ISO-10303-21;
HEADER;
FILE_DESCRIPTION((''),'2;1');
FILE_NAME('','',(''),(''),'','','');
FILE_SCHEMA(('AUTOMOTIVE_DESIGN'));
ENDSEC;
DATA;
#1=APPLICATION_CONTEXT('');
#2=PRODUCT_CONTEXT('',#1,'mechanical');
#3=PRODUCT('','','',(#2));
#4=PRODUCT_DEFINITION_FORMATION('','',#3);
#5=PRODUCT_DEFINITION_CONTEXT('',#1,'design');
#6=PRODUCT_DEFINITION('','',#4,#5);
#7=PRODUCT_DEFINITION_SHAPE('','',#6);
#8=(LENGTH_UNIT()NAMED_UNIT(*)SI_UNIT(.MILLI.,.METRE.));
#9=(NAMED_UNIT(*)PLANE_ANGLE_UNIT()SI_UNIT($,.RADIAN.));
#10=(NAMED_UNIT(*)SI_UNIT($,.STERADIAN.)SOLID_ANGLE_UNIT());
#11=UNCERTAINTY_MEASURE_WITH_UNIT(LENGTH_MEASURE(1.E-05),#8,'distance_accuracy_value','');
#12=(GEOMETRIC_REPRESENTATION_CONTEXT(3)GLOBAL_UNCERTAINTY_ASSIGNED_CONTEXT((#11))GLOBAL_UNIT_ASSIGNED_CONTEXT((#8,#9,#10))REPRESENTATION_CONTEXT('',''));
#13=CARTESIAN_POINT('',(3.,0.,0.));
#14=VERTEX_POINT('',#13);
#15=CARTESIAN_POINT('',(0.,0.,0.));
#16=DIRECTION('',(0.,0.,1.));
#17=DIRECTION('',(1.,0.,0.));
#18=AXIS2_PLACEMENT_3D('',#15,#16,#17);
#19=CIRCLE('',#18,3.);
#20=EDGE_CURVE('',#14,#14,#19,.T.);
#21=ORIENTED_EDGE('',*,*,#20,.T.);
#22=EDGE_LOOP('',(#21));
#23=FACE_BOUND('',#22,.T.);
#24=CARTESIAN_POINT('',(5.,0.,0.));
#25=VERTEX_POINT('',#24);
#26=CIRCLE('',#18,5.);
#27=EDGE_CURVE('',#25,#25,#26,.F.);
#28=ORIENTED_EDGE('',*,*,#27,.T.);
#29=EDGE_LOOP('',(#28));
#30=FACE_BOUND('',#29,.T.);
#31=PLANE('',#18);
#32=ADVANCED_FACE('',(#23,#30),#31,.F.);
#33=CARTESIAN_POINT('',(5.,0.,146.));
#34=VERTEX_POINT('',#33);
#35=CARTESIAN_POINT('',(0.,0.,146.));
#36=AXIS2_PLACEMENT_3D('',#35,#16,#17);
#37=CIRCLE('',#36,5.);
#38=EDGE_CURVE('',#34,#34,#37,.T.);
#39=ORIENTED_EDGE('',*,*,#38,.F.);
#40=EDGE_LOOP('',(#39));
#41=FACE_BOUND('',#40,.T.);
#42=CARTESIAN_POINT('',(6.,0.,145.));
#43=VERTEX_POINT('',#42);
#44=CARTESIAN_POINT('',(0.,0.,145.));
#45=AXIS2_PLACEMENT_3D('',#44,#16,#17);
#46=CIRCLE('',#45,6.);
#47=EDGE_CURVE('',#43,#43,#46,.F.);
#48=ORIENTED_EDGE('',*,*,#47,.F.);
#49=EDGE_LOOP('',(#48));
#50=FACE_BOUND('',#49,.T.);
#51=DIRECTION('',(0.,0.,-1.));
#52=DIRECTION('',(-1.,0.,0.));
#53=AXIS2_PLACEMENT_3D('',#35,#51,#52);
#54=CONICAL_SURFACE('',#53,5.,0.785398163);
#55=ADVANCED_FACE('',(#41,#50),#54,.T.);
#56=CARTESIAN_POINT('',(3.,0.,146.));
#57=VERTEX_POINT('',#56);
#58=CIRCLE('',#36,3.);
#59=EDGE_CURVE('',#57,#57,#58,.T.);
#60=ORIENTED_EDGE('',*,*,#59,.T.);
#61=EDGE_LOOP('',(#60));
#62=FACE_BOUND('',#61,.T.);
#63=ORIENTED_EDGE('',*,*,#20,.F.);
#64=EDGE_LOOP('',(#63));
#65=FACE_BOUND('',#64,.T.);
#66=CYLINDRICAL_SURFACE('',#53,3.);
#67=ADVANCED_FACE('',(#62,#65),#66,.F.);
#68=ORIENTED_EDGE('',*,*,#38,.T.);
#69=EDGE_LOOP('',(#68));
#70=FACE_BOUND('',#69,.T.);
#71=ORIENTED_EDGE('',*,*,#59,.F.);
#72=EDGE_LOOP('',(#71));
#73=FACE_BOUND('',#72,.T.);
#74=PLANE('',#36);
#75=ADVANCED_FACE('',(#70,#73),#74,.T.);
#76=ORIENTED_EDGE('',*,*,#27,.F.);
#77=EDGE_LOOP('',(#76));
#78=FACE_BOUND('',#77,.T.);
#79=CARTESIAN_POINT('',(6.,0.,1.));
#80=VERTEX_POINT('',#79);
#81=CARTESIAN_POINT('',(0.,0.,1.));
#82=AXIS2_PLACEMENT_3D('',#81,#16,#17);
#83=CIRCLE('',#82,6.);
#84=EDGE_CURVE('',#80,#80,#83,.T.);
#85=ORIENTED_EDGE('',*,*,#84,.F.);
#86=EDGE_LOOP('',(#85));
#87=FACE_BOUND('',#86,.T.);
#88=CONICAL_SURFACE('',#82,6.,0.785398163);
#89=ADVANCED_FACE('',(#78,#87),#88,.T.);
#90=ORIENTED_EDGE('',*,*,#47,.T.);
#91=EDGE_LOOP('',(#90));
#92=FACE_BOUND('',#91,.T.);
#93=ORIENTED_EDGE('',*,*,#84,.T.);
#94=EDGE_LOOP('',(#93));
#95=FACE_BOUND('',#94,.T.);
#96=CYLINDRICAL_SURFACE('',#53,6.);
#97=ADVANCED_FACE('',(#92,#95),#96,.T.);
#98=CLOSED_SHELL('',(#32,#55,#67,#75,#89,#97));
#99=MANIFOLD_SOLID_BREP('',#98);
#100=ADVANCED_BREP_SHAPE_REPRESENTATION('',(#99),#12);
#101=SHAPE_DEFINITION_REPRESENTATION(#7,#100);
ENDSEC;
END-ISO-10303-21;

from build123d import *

# Parameters (mm, degrees)
SKETCH_1_R      = 6
SKETCH_1_R_2    = 3
EXTRUDE_1_DEPTH = 146
CHAMFER_1_SIZE  = 1


with BuildPart() as part:
    # 草图1 → 凸台-拉伸1 (new body)
    with BuildSketch(Plane.XY):
        Circle(SKETCH_1_R)
        Circle(SKETCH_1_R_2, mode=Mode.SUBTRACT)
    extrude(amount=EXTRUDE_1_DEPTH)

    # 倒角1
    chamfer_1_edges = [part.edges().sort_by_distance(p)[0] for p in [
        (-6, 0, 0),
        (-6, 0, 146),
    ]]
    chamfer(chamfer_1_edges, length=CHAMFER_1_SIZE)


solid = part.part
